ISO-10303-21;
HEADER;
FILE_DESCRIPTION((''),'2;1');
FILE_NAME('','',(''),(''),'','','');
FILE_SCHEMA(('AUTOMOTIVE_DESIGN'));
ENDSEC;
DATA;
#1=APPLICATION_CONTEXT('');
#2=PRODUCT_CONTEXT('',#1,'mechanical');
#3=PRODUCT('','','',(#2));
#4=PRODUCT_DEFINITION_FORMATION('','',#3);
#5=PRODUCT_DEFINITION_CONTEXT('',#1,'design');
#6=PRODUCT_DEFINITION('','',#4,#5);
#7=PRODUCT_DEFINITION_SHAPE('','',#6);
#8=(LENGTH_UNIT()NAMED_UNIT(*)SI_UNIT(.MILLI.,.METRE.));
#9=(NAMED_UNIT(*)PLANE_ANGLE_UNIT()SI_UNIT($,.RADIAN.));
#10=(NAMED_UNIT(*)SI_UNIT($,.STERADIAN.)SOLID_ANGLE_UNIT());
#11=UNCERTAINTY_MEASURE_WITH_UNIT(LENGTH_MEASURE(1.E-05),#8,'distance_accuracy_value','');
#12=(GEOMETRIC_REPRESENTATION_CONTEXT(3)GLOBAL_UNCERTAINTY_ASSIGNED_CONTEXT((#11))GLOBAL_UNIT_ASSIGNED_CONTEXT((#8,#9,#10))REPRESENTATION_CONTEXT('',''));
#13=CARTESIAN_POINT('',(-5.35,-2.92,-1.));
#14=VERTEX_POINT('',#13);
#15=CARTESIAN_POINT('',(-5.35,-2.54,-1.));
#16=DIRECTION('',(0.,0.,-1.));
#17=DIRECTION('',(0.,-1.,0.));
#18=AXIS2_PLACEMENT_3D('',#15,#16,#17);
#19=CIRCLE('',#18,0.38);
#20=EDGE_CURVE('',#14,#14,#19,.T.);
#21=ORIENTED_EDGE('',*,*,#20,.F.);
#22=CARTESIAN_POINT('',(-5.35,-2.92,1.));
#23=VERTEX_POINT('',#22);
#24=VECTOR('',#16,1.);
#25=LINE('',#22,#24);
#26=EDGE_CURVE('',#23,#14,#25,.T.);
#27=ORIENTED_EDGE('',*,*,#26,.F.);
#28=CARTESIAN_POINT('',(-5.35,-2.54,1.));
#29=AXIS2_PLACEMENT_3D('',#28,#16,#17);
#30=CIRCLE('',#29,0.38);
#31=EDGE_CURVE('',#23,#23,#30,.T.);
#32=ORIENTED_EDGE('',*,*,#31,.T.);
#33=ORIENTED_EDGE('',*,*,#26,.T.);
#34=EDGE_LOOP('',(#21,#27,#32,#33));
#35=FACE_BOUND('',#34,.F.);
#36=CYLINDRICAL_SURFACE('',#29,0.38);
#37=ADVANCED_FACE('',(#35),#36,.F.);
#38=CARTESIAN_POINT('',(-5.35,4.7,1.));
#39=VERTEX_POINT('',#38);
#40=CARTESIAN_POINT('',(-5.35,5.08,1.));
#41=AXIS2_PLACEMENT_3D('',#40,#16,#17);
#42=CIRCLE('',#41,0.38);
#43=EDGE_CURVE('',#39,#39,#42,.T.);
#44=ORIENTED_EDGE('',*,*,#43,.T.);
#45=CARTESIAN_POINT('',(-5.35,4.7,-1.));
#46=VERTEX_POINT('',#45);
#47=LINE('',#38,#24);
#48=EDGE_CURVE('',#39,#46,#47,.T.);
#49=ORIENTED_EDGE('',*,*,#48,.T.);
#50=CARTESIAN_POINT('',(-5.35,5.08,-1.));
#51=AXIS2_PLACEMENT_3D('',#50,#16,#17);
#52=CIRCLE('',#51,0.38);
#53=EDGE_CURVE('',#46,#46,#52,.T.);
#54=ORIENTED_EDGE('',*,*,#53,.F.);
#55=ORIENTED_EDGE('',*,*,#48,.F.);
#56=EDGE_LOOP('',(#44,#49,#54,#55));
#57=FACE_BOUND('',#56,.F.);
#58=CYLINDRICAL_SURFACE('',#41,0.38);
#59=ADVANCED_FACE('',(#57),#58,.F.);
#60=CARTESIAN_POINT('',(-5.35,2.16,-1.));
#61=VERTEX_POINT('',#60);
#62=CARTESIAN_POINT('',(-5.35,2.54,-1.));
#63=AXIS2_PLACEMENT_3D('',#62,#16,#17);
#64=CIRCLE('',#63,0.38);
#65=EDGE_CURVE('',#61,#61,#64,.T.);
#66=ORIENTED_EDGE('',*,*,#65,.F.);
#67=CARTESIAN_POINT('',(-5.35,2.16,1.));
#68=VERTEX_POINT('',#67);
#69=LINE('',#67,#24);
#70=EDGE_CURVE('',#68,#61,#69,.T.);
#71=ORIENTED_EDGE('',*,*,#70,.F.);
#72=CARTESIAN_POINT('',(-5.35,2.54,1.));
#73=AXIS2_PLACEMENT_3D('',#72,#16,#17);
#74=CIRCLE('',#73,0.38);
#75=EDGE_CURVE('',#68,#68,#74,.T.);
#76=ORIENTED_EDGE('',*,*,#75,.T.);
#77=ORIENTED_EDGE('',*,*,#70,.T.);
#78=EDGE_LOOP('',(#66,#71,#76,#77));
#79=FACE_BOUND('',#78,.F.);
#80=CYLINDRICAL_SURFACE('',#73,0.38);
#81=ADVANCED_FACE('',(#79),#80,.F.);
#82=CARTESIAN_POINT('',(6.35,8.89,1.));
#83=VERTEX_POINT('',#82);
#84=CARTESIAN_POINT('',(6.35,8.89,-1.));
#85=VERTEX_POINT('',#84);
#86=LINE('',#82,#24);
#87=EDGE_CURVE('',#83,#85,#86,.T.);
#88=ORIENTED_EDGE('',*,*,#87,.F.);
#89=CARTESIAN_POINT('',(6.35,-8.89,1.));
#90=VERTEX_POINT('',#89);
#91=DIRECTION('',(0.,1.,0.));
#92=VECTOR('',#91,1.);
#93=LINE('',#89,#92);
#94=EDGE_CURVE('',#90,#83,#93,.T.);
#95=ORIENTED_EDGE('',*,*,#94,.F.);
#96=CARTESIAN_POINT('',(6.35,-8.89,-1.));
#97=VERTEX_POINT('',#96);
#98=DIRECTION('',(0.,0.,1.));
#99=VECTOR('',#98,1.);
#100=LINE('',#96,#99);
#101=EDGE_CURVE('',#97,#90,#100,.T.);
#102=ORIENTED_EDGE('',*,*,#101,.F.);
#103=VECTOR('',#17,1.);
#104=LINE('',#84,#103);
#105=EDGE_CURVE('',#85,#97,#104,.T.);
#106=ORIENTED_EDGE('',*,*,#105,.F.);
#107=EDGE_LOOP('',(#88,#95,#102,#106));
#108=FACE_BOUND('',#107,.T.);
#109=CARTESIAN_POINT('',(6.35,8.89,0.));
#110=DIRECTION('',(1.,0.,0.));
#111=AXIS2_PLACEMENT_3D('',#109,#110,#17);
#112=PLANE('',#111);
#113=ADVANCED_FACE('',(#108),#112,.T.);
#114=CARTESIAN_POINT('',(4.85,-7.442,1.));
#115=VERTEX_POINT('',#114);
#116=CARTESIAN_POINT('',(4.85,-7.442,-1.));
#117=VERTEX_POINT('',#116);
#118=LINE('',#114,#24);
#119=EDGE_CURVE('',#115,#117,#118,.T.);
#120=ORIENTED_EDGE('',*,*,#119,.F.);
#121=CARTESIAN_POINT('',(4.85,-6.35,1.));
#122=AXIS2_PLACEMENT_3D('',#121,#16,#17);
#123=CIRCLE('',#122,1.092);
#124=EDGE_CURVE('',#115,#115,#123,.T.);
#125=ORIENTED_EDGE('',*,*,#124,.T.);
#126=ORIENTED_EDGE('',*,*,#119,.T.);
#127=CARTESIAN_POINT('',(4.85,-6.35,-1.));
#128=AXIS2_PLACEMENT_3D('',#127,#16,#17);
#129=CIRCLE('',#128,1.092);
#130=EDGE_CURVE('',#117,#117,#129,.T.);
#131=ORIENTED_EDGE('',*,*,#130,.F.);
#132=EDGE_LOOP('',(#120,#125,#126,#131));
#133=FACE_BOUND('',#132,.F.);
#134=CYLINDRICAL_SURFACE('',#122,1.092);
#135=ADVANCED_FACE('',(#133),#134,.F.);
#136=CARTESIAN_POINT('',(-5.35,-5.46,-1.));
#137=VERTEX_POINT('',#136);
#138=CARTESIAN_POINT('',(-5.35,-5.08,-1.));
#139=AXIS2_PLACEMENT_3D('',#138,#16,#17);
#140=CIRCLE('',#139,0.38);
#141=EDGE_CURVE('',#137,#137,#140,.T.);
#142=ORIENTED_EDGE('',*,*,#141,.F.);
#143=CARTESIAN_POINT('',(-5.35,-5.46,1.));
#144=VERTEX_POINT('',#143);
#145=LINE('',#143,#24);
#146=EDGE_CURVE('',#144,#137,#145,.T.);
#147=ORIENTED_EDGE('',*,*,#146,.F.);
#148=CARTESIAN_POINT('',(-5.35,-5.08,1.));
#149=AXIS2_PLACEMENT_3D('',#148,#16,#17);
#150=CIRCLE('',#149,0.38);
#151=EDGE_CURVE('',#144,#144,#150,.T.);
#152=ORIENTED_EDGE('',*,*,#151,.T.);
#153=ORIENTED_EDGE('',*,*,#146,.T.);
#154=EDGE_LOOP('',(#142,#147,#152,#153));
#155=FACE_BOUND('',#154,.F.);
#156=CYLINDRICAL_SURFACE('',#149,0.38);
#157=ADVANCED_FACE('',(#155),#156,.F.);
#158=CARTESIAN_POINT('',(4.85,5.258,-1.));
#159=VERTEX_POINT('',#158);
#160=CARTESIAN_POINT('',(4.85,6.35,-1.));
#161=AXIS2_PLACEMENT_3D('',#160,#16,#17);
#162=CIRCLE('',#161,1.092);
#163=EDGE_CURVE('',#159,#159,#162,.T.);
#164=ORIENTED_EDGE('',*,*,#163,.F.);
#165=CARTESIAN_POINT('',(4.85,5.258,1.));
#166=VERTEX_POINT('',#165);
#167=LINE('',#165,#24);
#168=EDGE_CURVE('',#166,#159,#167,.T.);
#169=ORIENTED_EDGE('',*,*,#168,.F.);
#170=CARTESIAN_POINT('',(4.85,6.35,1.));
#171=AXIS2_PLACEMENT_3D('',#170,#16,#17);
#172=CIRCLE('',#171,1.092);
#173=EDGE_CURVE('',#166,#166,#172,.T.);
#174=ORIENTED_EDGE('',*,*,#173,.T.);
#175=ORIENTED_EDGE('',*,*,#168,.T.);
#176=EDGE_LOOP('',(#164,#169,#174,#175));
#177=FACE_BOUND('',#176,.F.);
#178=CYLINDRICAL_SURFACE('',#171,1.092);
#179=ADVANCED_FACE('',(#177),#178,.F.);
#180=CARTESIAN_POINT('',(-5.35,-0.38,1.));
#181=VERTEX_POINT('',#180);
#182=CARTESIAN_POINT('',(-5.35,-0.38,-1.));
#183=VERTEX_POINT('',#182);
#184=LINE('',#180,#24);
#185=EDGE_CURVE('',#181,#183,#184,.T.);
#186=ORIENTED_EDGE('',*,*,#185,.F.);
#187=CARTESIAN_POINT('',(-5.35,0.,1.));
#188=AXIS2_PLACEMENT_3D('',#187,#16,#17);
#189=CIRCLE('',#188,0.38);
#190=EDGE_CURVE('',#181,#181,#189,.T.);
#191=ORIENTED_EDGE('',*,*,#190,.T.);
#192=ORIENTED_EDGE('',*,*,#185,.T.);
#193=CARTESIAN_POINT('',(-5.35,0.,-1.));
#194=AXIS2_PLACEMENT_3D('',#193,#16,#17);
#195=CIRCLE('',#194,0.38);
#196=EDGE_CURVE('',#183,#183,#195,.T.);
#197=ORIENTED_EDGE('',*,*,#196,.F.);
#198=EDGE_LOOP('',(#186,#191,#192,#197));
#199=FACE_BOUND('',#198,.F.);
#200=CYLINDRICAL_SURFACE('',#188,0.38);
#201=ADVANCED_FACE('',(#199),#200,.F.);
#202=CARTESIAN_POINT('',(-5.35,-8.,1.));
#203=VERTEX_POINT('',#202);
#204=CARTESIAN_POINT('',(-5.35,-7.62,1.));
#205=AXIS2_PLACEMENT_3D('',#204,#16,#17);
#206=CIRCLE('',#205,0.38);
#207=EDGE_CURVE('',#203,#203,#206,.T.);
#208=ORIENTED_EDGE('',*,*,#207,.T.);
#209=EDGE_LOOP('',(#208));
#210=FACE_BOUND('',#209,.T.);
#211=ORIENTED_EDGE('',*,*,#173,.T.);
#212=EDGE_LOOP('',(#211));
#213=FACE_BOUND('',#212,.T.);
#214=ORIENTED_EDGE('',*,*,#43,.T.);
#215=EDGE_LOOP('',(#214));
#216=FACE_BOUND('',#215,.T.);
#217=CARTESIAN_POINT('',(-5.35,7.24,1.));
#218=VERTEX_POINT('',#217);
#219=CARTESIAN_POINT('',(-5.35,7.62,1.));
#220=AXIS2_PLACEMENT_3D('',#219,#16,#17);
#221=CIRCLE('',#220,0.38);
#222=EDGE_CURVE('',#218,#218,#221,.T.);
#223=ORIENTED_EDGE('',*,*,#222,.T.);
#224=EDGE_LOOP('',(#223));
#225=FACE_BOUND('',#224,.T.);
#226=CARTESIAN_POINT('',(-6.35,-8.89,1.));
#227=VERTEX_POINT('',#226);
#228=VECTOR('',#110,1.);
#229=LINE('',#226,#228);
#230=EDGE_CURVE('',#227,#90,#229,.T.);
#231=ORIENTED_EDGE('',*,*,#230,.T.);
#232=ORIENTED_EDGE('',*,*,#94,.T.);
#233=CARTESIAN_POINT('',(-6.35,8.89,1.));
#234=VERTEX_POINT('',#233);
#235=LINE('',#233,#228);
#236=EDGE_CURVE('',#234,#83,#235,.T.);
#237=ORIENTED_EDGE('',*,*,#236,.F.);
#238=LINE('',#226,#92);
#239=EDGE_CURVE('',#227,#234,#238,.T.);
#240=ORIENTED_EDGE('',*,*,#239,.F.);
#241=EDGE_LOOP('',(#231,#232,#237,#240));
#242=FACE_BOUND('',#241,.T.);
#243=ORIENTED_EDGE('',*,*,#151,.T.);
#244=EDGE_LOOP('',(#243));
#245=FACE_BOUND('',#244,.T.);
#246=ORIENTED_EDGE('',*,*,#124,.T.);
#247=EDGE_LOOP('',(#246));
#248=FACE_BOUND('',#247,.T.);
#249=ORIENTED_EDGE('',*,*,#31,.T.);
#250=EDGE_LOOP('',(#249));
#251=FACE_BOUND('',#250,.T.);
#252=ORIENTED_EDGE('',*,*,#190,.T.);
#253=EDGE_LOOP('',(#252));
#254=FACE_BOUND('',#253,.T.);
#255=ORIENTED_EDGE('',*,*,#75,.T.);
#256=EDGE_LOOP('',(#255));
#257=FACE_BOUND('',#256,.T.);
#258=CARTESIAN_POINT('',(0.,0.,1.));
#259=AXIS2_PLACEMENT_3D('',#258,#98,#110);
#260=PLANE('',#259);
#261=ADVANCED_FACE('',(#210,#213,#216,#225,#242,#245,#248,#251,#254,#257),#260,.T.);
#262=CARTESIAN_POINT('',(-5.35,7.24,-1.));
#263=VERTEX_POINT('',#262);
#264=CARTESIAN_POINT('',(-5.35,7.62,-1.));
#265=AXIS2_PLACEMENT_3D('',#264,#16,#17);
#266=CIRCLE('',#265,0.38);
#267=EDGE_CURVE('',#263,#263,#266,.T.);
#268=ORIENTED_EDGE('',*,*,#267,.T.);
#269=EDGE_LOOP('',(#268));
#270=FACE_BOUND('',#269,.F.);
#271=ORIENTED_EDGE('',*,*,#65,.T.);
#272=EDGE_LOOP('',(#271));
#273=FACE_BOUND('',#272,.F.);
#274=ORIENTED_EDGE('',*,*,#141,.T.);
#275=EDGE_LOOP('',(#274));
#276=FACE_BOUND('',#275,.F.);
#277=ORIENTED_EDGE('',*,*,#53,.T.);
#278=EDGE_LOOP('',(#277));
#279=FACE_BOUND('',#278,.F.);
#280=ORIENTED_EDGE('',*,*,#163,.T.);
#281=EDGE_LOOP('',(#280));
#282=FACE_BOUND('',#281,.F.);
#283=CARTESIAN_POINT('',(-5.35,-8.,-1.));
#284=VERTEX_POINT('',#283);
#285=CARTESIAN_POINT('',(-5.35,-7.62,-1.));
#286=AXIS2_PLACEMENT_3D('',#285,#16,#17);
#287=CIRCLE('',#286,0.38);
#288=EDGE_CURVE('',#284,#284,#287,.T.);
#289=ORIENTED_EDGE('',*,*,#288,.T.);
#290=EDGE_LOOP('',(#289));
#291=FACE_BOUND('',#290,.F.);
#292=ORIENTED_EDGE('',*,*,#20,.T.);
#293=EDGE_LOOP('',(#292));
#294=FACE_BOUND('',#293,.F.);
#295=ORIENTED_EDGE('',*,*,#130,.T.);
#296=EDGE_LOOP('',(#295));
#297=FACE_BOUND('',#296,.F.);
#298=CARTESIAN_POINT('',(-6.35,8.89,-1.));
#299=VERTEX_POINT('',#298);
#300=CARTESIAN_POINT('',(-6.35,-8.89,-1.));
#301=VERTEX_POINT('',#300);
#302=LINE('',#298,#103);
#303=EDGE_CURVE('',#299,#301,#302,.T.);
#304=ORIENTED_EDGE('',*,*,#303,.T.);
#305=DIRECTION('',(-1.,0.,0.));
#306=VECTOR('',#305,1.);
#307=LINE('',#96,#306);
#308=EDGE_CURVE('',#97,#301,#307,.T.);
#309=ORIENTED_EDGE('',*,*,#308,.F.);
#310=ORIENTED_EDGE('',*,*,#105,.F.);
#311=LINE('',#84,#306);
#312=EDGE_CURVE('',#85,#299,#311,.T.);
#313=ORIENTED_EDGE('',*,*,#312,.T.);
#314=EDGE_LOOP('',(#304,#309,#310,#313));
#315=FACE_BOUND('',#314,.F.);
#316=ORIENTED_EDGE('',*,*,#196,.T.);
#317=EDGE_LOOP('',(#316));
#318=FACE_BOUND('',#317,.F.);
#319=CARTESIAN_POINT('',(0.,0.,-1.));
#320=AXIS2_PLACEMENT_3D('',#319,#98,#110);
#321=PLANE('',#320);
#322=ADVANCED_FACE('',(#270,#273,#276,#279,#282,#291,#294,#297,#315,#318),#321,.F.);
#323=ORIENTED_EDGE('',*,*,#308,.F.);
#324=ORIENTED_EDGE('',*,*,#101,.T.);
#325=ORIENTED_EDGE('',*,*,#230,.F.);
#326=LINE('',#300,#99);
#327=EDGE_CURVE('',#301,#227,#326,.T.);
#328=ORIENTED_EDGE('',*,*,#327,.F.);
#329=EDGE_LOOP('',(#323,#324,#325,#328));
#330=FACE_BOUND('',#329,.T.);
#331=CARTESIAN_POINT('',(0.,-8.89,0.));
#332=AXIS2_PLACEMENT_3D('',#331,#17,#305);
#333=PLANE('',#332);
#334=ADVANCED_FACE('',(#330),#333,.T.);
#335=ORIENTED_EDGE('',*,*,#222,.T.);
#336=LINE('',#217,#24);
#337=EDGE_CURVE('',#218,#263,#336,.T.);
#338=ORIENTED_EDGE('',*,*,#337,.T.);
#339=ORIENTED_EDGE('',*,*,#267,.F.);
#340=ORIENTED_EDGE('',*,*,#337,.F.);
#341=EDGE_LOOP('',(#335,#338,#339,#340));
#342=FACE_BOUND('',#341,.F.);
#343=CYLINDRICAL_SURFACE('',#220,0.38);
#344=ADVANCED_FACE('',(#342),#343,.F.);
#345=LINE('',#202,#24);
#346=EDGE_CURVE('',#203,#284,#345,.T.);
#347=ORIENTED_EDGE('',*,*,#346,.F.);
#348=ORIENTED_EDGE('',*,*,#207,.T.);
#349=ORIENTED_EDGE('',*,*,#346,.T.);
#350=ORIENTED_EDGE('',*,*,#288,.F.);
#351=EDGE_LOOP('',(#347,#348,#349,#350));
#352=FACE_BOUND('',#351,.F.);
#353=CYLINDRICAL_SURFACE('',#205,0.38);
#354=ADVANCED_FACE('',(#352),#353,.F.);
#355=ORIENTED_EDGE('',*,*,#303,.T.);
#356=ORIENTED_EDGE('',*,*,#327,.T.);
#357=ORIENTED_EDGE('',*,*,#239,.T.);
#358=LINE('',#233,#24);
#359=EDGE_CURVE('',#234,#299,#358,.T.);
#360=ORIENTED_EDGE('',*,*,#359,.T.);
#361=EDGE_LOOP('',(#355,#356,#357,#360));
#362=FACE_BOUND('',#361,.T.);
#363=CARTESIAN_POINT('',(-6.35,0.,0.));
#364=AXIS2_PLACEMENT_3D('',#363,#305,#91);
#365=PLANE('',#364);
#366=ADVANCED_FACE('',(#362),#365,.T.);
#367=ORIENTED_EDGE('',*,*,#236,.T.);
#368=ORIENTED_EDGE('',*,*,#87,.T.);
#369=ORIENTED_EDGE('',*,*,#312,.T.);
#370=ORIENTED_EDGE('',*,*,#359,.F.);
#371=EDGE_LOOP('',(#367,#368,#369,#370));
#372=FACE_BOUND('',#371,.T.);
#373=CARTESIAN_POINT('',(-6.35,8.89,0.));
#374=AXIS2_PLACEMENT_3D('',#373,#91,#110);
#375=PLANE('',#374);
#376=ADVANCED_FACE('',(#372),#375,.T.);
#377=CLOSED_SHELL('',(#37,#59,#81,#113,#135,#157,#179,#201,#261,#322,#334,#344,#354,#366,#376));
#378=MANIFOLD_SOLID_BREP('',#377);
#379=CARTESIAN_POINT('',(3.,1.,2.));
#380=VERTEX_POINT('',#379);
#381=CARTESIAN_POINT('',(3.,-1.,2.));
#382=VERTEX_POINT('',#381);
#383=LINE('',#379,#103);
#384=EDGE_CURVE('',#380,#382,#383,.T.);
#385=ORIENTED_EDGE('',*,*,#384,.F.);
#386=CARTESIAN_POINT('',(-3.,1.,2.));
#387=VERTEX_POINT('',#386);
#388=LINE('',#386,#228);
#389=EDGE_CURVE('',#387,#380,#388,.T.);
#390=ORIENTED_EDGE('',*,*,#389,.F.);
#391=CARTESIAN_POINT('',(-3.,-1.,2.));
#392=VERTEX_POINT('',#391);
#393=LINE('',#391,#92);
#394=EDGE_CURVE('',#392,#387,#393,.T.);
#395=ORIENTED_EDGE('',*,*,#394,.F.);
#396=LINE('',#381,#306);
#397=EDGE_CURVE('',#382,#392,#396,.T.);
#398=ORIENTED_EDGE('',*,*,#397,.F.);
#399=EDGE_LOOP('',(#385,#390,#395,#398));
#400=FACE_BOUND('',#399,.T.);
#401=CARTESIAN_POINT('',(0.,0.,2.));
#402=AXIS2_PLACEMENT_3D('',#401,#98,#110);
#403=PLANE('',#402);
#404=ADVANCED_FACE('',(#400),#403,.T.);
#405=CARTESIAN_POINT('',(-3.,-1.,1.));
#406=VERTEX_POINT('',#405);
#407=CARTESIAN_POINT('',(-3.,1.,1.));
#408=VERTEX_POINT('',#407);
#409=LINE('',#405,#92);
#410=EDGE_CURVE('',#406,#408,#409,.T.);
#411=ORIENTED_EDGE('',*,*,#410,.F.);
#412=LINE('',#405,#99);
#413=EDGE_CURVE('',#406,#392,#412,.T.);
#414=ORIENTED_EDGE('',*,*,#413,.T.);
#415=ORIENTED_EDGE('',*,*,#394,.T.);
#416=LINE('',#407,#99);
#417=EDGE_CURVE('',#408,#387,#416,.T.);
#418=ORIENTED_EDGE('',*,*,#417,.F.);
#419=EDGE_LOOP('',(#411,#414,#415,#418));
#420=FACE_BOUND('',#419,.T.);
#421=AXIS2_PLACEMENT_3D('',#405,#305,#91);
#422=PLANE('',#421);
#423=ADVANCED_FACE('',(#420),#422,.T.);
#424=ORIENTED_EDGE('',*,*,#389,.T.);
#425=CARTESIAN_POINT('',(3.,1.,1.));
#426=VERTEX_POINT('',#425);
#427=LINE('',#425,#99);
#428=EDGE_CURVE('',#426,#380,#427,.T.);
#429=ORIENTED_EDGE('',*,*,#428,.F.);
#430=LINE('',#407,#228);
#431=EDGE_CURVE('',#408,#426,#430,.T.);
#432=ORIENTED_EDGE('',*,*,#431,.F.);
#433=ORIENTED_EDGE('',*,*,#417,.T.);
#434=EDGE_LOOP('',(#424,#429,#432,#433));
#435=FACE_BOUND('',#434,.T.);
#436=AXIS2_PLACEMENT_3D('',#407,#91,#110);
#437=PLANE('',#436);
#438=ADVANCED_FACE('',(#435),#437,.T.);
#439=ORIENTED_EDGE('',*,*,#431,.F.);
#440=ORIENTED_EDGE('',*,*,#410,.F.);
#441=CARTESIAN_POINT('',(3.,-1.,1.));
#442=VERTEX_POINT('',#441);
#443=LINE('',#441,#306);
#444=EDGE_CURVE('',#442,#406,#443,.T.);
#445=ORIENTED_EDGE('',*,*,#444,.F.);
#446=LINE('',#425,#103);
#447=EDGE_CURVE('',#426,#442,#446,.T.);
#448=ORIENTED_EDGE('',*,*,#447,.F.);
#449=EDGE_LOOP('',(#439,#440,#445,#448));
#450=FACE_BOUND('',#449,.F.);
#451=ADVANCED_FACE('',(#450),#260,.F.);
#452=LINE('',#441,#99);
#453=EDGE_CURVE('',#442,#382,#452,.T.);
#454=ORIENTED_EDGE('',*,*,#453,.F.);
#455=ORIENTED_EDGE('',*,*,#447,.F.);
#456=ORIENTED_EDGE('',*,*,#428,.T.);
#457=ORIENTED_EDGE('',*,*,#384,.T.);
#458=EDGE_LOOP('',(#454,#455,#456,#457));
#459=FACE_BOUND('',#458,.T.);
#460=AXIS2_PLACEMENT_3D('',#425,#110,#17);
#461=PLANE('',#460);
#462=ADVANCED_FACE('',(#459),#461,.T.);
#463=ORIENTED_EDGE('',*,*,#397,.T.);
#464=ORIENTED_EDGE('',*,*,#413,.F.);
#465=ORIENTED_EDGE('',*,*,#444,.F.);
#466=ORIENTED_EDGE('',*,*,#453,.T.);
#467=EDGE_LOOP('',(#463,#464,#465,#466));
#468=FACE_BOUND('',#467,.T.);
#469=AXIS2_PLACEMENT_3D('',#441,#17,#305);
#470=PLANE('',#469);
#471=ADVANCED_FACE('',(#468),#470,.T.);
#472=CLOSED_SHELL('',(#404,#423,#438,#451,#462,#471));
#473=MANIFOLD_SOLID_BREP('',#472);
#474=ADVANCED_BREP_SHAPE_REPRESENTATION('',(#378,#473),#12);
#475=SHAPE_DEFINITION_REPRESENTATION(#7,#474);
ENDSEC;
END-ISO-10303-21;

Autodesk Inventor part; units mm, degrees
ref_plane "YZ Plane" through (0, 0, 0) normal (1, 0, 0) x (0, 1, 0)
ref_plane "XZ Plane" through (0, 0, 0) normal (0, 1, 0) x (-1, 0, 0)
ref_plane "XY Plane" through (0, 0, 0) normal (0, 0, 1) x (1, 0, 0)
sketch "Sketch1" plane through (0, 0, 0) normal (0, 0, 1) x (1, 0, 0)
  line L0 (-8.89, 0) -> (8.89, 0) projected
  line L1 (0, -12.446) -> (0, 12.446) projected
  line L2 (-6.35, 8.89) -> (6.35, 8.89)
  line L3 (6.35, 8.89) -> (6.35, -8.89)
  line L4 (6.35, -8.89) -> (-6.35, -8.89)
  line L5 (-6.35, -8.89) -> (-6.35, 8.89)
  line L6 (-6.35, 8.89) -> (6.35, -8.89) construction
  line L7 (6.35, 8.89) -> (-6.35, -8.89) construction
  point P0 (0, 0)
  dimension "d0" = 17.78
  dimension "d1" = 12.7
extrude "Extrusion1" add sketch "Sketch1" along normal mid plane 2
sketch "Sketch2" plane through (0, 0, 1) normal (0, 0, 1) x (1, 0, 0)
  line L0 (-6.35, 8.89) -> (-6.35, -8.89) projected
  line L1 (6.35, 8.89) -> (-6.35, 8.89) projected
  line L2 (-6.35, -8.89) -> (6.35, -8.89) projected
  point P0 (0, 0)
  point P1 (-5.35, 0)
  point P2 (-5.35, -2.54)
  point P3 (-5.35, 2.54)
  point P4 (-5.35, -5.08)
  point P5 (-5.35, -7.62)
  point P6 (-5.35, 5.08)
  point P7 (-5.35, 7.62)
  dimension "d11" = 2.54
  dimension "d12" = 1
  dimension "d13" = 1
  dimension "d14" = 1
  dimension "d15" = 1
  dimension "d16" = 2.54
  dimension "d17" = 2.54
  dimension "d18" = 1.27
  dimension "d19" = 1.27
  dimension "d20" = 2.54
  dimension "d21" = 2.54
  dimension "d22" = 1
  dimension "d23" = 1
  dimension "d24" = 1
hole "Hole1" at (-5.35, 0, 1) at (-5.35, -2.54, 1) at (-5.35, 2.54, 1) at (-5.35, -5.08, 1) at (-5.35, -7.62, 1) at (-5.35, 5.08, 1) at (-5.35, 7.62, 1) direction (0, 0, -1) diameter 0.76 end through all
sketch "Sketch3" plane through (0, 0, 1) normal (0, 0, 1) x (1, 0, 0)
  line L0 (-6.35, -8.89) -> (6.35, -8.89) projected
  line L1 (6.35, -8.89) -> (6.35, 8.89) projected
  point P0 (0, 0)
  point P1 (4.85, 6.35)
  point P2 (4.85, -6.35)
  dimension "d32" = 12.7
  dimension "d33" = 2.54
  dimension "d34" = 1.5
  dimension "d35" = 1.5
hole "Hole2" at (4.85, 6.35, 1) at (4.85, -6.35, 1) direction (0, 0, -1) diameter 2.184 end through all
sketch "Sketch4" plane through (0, 0, 1) normal (0, 0, 1) x (1, 0, 0)
  line L0 (-3, 1) -> (3, 1)
  line L1 (3, 1) -> (3, -1)
  line L2 (3, -1) -> (-3, -1)
  line L3 (-3, -1) -> (-3, 1)
  line L4 (-3, 1) -> (3, -1) construction
  line L5 (3, 1) -> (-3, -1) construction
  point P0 (0, 0)
  dimension "d36" = 6
  dimension "d37" = 2
extrude "Extrusion2" add sketch "Sketch4" along normal blind 1 separate body
sketch "Sketch5" plane through (0, 0, 1) normal (0, 0, 1) x (1, 0, 0)
  line L0 (-4.5172, 4.5869) -> (11.2934, 4.5869) construction
  line L1 (11.2934, 4.5869) -> (11.2934, 1.4006) construction
  line L2 (11.2934, 1.4006) -> (-4.5172, 1.4006) construction
  line L3 (-4.5172, 1.4006) -> (-4.5172, 4.5869) construction
  point P0 (0, 0)
properties part number "VL6180x_czujnik"
